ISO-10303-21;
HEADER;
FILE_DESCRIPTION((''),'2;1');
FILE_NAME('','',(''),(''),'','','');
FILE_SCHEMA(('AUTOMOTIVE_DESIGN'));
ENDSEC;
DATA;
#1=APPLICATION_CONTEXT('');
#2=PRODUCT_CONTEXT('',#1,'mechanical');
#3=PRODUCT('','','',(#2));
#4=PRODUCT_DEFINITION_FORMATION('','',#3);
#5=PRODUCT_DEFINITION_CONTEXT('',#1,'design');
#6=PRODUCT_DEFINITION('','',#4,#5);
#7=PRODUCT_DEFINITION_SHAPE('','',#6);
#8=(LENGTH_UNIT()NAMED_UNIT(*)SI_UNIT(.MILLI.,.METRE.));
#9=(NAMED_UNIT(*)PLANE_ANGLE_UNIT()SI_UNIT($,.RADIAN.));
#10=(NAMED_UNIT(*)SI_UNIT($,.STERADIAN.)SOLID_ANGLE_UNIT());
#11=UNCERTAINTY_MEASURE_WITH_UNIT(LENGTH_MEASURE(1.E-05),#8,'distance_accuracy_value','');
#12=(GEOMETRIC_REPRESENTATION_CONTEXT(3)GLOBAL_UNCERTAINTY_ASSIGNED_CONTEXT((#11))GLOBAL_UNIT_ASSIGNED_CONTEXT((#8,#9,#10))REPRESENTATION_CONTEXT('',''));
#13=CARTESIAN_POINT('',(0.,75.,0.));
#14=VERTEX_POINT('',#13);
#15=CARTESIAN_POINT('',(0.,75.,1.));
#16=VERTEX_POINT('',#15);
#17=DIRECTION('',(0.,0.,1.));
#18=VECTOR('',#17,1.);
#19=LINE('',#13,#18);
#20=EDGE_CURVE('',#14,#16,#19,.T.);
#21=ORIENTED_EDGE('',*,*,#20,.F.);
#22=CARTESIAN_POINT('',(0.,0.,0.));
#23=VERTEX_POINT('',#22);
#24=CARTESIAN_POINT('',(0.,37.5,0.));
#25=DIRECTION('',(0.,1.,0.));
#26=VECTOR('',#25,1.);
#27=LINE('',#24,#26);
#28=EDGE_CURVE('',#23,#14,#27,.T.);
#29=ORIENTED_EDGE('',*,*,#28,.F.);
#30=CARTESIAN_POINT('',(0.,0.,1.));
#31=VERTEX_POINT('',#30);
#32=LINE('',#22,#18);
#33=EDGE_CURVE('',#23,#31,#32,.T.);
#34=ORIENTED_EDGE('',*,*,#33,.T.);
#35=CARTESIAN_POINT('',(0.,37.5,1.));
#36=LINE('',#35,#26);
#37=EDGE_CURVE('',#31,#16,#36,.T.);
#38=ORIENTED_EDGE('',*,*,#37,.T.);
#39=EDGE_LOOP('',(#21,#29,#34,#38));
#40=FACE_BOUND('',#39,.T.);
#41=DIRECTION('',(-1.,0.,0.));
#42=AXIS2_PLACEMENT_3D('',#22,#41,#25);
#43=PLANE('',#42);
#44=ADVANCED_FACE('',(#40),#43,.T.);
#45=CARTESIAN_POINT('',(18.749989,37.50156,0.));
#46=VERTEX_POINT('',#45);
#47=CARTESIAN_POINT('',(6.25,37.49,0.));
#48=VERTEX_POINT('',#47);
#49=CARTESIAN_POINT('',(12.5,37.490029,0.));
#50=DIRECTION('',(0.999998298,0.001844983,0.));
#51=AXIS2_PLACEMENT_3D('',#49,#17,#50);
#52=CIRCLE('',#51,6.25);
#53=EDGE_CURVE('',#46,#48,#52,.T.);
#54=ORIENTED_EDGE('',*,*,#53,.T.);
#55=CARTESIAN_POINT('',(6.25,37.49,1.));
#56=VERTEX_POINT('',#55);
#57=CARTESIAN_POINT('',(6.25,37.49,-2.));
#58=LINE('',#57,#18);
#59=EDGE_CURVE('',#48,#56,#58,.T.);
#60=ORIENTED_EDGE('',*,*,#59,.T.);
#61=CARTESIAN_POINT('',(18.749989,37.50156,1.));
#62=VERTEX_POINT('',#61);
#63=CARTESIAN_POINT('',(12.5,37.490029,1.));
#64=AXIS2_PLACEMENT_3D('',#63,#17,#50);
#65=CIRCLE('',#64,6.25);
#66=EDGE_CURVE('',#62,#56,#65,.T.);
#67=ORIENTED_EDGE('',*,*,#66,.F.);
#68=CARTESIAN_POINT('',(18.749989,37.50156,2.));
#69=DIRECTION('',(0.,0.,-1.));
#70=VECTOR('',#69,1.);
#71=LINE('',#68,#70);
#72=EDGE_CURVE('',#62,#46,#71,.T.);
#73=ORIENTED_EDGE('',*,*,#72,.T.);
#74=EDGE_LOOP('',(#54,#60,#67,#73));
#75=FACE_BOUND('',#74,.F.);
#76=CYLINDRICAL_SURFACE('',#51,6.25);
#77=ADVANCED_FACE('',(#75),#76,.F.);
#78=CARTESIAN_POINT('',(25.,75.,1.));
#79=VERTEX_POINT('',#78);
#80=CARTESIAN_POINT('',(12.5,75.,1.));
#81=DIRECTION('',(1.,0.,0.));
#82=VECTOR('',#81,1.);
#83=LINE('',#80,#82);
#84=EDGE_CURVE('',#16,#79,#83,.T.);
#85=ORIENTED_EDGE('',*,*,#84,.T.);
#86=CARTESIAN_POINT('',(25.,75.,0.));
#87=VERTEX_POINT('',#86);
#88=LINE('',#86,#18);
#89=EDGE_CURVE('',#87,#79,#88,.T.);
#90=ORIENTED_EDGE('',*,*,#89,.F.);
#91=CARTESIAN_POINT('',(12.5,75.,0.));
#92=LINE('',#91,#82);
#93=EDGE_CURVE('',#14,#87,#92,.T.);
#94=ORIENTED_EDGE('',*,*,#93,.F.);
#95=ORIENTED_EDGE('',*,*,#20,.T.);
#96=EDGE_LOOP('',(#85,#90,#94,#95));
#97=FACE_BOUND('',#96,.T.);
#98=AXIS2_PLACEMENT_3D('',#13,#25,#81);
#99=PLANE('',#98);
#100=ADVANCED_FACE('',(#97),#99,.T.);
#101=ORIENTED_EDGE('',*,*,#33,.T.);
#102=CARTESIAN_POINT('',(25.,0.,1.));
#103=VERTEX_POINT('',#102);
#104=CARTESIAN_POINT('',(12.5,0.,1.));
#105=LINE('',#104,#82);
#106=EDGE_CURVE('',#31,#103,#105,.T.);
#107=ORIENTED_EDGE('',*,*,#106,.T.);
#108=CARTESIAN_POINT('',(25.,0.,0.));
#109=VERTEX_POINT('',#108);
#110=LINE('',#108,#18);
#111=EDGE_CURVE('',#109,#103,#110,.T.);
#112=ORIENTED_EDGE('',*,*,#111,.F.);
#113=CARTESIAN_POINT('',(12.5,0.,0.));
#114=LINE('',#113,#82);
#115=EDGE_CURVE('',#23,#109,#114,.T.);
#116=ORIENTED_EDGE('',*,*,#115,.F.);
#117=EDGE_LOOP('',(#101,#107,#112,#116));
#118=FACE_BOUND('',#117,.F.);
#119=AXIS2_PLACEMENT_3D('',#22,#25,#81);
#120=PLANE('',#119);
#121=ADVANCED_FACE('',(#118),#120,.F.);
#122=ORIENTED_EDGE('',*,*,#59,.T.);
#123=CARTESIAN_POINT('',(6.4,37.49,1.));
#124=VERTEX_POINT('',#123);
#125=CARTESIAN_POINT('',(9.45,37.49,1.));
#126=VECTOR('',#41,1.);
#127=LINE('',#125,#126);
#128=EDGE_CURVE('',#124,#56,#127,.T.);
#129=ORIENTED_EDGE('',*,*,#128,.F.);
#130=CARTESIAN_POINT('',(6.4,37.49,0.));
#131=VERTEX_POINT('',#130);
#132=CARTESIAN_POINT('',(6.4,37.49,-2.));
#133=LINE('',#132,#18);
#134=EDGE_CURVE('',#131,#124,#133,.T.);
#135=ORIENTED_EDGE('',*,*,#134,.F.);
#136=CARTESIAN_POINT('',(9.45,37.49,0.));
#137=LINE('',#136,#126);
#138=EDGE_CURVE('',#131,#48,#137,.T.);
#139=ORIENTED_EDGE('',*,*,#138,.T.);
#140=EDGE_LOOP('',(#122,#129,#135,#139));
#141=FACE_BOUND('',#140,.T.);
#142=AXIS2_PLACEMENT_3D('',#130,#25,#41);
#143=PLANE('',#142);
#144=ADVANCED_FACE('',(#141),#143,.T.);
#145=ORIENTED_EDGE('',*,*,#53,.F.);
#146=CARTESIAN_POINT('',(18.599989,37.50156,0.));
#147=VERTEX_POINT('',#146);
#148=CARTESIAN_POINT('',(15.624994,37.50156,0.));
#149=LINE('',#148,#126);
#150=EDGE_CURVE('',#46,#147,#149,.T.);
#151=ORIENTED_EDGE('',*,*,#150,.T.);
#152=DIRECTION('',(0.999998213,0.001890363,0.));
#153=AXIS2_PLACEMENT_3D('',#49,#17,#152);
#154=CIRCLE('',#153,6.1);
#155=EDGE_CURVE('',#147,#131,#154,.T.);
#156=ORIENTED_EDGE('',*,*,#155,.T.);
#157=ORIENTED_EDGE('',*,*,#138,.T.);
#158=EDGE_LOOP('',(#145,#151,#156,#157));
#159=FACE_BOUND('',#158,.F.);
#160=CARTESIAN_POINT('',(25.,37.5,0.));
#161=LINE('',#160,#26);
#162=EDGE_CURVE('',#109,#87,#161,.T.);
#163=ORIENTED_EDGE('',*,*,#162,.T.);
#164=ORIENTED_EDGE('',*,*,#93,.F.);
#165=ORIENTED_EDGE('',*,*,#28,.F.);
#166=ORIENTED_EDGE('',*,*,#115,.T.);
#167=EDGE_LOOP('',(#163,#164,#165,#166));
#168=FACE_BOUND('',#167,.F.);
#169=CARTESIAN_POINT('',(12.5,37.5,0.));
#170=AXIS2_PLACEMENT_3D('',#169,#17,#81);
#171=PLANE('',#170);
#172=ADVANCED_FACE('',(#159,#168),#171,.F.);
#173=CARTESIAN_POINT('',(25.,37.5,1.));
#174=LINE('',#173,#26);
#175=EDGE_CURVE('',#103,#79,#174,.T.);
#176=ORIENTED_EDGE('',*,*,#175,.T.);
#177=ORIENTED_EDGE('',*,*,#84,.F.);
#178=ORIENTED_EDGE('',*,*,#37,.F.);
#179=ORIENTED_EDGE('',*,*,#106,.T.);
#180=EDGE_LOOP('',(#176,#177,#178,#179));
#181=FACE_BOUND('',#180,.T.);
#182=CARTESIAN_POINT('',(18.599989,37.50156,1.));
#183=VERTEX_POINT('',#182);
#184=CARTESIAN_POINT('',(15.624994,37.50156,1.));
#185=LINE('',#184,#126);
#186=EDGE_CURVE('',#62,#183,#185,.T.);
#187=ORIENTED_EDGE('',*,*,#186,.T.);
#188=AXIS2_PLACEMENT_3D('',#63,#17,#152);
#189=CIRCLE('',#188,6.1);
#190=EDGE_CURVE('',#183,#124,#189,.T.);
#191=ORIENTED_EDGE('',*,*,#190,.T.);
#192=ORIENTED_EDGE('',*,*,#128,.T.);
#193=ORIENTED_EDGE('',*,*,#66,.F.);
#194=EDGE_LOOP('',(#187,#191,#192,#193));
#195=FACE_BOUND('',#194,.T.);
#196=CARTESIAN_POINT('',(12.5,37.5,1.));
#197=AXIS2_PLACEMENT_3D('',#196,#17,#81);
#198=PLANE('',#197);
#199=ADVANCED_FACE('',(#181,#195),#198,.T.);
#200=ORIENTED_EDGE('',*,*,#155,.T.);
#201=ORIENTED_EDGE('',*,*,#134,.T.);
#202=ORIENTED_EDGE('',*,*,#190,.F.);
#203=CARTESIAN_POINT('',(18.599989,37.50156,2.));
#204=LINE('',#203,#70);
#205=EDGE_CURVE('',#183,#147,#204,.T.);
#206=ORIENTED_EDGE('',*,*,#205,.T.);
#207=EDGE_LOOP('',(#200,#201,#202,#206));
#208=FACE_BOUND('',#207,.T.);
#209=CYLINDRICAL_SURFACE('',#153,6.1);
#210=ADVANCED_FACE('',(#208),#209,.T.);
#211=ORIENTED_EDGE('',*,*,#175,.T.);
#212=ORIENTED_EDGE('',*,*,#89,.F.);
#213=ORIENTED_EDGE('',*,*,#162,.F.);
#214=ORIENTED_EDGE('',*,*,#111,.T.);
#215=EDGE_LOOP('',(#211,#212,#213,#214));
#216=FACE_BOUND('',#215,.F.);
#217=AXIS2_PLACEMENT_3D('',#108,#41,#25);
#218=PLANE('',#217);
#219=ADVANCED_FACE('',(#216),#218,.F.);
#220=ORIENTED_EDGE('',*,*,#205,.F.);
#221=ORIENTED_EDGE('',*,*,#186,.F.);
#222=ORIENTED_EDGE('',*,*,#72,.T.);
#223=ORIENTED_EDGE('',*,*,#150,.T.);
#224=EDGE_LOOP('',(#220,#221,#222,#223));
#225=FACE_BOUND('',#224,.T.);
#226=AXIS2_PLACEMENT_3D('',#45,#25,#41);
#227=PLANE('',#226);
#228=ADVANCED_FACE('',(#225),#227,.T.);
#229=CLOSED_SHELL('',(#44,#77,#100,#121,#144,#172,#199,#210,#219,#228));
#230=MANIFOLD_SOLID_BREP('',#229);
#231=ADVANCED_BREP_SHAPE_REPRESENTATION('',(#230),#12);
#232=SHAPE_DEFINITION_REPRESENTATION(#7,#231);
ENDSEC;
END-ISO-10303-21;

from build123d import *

# Parameters (mm, degrees)
PAD004_DEPTH      = 2
PAD004_DEPTH_BACK = 2
SKETCH020_W       = 25
SKETCH020_H       = 75
PAD019_DEPTH      = 1


with BuildPart() as body004:
    # Sketch005 → Pad004 (new body, two sides)
    with BuildSketch(Plane.XY) as pad004_sk:
        with BuildLine():
            ThreePointArc((18.749989, 37.50156), (12.49422, 43.740026), (6.25, 37.49))
            Line((6.4, 37.49), (6.25, 37.49))
            ThreePointArc((18.599989, 37.50156), (12.49422, 43.590026), (6.4, 37.49))
            Line((18.749989, 37.50156), (18.599989, 37.50156))
        make_face()
    extrude(amount=PAD004_DEPTH)
    extrude(pad004_sk.sketch, amount=-PAD004_DEPTH_BACK)


with BuildPart() as body018:
    # Sketch020 → Pad019 (new body)
    with BuildSketch(Plane.XY):
        with Locations((12.5, 37.5)):
            Rectangle(SKETCH020_W, SKETCH020_H)
    extrude(amount=PAD019_DEPTH)

    # Boolean003: cut Body004
    add(body004.part, mode=Mode.SUBTRACT)


solid = body018.part
